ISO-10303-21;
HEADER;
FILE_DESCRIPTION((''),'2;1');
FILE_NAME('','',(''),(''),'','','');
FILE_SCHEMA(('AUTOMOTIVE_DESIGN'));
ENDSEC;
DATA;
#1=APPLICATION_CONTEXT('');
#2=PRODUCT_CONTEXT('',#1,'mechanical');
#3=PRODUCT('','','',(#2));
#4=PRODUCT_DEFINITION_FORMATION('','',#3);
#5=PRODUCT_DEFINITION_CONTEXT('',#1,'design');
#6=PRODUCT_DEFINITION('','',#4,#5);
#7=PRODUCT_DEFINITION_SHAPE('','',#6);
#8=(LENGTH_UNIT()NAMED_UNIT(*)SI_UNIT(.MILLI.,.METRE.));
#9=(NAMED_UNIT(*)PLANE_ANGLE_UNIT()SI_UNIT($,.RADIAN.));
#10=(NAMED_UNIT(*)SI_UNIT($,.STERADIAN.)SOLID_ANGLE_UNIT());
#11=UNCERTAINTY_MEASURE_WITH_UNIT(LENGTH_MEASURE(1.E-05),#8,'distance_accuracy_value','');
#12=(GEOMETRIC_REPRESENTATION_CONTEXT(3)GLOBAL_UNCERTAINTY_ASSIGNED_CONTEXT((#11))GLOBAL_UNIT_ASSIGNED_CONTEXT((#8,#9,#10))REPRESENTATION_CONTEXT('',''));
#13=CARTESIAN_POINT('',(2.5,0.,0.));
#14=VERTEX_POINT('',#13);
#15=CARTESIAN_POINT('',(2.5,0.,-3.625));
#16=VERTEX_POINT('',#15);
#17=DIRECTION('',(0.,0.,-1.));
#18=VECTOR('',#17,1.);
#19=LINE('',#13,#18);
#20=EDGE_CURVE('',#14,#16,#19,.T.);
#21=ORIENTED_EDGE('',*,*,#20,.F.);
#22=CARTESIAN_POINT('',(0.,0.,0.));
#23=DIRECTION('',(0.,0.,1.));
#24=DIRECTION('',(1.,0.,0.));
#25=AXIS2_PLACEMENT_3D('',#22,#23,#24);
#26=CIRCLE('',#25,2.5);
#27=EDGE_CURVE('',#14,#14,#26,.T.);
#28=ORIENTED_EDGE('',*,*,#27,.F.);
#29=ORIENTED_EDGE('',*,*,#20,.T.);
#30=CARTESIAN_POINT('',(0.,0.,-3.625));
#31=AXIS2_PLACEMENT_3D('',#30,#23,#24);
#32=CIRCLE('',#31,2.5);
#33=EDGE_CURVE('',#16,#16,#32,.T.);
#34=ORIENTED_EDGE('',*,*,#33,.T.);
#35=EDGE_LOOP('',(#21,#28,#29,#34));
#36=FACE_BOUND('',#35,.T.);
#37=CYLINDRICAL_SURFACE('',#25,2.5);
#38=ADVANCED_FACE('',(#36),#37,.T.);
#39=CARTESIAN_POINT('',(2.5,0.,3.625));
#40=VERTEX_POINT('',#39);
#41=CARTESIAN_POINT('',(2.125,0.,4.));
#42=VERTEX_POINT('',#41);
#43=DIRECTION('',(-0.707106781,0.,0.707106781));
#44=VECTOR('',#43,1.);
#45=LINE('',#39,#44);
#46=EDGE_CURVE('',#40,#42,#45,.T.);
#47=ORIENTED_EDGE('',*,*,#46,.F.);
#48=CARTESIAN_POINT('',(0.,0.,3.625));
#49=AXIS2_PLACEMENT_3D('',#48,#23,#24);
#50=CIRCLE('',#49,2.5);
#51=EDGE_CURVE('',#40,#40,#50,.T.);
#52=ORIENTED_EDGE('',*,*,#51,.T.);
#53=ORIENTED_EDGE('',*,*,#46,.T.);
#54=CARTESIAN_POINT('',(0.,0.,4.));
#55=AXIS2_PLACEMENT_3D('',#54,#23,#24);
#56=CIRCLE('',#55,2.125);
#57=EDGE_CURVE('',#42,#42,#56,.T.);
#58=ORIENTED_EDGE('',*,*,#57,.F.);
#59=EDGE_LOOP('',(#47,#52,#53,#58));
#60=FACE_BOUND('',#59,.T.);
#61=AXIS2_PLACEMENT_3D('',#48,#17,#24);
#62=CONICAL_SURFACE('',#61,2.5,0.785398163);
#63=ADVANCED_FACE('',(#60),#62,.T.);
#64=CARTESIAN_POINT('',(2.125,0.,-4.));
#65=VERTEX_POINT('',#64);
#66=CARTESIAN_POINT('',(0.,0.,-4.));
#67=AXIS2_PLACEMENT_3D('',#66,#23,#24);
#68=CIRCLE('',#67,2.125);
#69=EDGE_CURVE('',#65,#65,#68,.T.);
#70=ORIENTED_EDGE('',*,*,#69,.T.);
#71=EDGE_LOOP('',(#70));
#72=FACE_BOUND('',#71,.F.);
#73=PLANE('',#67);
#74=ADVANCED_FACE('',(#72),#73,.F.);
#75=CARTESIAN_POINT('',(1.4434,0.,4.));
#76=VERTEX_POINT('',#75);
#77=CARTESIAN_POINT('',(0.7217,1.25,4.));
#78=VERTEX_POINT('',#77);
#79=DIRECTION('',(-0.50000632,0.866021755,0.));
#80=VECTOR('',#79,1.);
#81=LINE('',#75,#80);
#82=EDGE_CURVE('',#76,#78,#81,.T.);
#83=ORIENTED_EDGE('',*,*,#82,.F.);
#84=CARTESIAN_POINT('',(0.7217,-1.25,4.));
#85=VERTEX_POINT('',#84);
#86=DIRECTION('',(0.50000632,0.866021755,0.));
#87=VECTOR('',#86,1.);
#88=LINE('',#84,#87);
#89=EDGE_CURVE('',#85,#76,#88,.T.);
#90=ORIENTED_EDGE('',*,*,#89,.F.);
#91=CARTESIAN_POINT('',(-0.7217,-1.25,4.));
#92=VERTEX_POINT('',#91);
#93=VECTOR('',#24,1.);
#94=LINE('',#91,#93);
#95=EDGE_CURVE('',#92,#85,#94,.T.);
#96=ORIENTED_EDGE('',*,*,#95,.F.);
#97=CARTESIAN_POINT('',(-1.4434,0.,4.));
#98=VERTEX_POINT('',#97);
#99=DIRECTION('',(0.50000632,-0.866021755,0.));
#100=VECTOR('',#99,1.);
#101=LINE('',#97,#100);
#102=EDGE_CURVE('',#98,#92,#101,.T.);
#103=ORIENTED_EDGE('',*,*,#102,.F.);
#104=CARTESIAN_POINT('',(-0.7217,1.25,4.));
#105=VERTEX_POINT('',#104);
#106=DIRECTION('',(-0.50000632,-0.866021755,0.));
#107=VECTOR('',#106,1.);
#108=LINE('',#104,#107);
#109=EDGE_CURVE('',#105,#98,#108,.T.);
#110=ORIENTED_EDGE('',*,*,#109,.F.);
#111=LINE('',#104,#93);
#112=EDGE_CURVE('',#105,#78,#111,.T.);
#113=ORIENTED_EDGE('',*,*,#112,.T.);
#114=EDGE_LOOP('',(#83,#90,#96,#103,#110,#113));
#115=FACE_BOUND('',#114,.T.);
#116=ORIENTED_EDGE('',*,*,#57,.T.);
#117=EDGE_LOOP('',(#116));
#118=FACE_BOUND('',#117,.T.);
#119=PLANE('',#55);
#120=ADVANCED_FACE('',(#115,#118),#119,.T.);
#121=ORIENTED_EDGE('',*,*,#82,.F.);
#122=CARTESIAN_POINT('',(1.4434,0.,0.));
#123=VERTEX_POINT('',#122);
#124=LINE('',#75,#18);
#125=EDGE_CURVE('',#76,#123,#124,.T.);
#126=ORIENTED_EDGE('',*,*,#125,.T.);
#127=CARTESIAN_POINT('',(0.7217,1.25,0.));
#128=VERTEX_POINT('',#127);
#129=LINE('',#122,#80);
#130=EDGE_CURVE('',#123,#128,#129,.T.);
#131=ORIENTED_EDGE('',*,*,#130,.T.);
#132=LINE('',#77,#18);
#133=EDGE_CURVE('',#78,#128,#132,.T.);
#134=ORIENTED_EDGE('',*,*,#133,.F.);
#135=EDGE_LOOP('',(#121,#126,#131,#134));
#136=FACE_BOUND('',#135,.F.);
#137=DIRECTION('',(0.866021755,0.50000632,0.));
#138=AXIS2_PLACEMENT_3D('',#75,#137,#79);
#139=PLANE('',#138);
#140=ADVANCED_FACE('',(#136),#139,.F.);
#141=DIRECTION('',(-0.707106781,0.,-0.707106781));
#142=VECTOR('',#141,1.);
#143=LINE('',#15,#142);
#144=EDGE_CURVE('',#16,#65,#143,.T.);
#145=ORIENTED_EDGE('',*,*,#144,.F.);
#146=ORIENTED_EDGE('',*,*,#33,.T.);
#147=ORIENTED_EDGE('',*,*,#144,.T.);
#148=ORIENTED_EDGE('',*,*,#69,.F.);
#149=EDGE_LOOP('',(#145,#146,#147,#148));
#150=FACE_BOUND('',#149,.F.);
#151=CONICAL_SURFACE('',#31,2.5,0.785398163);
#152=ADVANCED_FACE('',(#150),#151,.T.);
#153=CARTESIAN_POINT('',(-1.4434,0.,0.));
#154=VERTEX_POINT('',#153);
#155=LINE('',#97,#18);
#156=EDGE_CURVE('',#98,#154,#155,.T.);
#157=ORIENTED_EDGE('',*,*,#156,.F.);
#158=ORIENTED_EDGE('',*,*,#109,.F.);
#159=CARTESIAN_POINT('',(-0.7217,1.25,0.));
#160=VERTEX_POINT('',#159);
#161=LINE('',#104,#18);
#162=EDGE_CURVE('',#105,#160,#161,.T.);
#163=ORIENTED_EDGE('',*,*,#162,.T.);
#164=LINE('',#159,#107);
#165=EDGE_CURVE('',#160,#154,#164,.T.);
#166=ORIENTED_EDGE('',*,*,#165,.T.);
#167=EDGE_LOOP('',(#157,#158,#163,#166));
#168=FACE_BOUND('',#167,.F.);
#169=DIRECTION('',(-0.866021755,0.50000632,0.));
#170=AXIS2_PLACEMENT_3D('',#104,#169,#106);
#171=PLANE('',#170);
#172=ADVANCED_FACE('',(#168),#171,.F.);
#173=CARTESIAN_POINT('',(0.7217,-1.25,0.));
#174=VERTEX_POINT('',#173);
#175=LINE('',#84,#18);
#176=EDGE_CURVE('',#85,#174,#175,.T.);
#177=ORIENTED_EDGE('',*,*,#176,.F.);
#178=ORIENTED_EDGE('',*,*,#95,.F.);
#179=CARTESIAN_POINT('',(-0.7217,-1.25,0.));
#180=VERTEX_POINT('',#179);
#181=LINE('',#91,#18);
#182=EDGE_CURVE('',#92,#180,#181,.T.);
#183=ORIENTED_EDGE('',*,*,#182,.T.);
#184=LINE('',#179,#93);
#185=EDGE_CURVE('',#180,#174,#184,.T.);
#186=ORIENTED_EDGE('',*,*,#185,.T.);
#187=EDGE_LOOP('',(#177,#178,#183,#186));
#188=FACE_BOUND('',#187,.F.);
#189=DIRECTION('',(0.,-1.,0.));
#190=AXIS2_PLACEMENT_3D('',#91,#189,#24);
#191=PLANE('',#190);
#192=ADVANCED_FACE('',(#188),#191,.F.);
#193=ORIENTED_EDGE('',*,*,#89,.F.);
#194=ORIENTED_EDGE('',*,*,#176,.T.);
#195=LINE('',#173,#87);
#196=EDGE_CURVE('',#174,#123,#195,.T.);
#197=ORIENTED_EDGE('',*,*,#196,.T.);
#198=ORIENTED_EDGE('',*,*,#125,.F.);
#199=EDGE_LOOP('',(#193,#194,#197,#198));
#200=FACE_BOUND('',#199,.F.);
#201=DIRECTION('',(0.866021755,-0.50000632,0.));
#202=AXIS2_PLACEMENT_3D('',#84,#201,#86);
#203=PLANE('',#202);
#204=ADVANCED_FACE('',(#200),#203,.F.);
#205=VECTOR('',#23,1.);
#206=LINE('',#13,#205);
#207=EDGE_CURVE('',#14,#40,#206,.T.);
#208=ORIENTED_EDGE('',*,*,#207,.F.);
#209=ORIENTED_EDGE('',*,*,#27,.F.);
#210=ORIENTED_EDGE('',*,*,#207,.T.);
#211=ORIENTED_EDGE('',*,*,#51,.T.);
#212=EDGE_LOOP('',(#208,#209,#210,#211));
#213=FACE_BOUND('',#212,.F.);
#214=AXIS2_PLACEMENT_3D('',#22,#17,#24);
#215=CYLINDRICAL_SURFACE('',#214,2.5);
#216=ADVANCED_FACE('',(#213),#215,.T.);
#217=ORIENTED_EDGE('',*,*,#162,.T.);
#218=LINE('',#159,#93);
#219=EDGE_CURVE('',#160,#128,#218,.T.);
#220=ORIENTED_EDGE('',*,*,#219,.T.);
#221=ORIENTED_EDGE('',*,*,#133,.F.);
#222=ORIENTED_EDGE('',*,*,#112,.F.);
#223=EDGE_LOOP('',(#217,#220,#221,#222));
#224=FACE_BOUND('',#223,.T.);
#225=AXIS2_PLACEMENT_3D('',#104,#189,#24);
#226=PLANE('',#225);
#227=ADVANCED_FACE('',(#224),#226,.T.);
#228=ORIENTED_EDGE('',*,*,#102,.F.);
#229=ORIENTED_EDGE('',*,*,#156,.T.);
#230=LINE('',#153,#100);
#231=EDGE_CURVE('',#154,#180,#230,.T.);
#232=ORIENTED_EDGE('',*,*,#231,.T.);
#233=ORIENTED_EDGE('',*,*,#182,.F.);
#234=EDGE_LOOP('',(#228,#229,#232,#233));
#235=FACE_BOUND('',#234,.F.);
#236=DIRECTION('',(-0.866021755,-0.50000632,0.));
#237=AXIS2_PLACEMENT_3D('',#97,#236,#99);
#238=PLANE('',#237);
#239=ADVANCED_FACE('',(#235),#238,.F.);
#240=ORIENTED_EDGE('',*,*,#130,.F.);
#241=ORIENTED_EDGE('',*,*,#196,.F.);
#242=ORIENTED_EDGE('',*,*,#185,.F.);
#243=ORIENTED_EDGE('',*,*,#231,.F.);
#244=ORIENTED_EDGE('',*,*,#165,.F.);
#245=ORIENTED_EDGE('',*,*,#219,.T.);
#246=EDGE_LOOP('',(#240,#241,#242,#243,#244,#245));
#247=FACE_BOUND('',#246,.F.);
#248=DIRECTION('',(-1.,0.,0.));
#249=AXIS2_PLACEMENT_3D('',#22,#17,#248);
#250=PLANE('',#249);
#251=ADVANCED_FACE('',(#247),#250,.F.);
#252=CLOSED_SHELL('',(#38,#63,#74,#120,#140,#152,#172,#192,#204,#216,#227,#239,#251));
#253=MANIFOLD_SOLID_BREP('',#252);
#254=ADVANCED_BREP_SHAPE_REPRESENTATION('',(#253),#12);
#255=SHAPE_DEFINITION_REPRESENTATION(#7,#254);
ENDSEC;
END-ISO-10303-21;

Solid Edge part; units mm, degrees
sketch "Sketch1" plane through (0, 0, 0) normal (0, 0, 1) x (1, 0, 0)
  circle A0 centre (0, 0) radius 2.5
  dimension "D1" = 5
extrude "Protrusion1" add sketch "Sketch1" along normal mid plane 8
chamfer "Chamfer1" distance 0.375 angle 45 2 edges at (-2.5, 0, -4) (-2.5, 0, 4)
sketch "Sketch2" plane through (0, 0, 4) normal (0, 0, 1) x (1, 0, 0)
  line L0 (-0.7217, 1.25) -> (0.7217, 1.25)
  line L1 (1.4434, 0) -> (0.7217, 1.25)
  line L2 (0.7217, -1.25) -> (1.4434, 0)
  line L3 (-0.7217, -1.25) -> (0.7217, -1.25)
  line L4 (-1.4434, 0) -> (-0.7217, -1.25)
  line L5 (-0.7217, 1.25) -> (-1.4434, 0)
  dimension "D1" = 2.5
extrude "Cutout1" cut sketch "Sketch2" against normal blind 4
properties part number "24105901"
